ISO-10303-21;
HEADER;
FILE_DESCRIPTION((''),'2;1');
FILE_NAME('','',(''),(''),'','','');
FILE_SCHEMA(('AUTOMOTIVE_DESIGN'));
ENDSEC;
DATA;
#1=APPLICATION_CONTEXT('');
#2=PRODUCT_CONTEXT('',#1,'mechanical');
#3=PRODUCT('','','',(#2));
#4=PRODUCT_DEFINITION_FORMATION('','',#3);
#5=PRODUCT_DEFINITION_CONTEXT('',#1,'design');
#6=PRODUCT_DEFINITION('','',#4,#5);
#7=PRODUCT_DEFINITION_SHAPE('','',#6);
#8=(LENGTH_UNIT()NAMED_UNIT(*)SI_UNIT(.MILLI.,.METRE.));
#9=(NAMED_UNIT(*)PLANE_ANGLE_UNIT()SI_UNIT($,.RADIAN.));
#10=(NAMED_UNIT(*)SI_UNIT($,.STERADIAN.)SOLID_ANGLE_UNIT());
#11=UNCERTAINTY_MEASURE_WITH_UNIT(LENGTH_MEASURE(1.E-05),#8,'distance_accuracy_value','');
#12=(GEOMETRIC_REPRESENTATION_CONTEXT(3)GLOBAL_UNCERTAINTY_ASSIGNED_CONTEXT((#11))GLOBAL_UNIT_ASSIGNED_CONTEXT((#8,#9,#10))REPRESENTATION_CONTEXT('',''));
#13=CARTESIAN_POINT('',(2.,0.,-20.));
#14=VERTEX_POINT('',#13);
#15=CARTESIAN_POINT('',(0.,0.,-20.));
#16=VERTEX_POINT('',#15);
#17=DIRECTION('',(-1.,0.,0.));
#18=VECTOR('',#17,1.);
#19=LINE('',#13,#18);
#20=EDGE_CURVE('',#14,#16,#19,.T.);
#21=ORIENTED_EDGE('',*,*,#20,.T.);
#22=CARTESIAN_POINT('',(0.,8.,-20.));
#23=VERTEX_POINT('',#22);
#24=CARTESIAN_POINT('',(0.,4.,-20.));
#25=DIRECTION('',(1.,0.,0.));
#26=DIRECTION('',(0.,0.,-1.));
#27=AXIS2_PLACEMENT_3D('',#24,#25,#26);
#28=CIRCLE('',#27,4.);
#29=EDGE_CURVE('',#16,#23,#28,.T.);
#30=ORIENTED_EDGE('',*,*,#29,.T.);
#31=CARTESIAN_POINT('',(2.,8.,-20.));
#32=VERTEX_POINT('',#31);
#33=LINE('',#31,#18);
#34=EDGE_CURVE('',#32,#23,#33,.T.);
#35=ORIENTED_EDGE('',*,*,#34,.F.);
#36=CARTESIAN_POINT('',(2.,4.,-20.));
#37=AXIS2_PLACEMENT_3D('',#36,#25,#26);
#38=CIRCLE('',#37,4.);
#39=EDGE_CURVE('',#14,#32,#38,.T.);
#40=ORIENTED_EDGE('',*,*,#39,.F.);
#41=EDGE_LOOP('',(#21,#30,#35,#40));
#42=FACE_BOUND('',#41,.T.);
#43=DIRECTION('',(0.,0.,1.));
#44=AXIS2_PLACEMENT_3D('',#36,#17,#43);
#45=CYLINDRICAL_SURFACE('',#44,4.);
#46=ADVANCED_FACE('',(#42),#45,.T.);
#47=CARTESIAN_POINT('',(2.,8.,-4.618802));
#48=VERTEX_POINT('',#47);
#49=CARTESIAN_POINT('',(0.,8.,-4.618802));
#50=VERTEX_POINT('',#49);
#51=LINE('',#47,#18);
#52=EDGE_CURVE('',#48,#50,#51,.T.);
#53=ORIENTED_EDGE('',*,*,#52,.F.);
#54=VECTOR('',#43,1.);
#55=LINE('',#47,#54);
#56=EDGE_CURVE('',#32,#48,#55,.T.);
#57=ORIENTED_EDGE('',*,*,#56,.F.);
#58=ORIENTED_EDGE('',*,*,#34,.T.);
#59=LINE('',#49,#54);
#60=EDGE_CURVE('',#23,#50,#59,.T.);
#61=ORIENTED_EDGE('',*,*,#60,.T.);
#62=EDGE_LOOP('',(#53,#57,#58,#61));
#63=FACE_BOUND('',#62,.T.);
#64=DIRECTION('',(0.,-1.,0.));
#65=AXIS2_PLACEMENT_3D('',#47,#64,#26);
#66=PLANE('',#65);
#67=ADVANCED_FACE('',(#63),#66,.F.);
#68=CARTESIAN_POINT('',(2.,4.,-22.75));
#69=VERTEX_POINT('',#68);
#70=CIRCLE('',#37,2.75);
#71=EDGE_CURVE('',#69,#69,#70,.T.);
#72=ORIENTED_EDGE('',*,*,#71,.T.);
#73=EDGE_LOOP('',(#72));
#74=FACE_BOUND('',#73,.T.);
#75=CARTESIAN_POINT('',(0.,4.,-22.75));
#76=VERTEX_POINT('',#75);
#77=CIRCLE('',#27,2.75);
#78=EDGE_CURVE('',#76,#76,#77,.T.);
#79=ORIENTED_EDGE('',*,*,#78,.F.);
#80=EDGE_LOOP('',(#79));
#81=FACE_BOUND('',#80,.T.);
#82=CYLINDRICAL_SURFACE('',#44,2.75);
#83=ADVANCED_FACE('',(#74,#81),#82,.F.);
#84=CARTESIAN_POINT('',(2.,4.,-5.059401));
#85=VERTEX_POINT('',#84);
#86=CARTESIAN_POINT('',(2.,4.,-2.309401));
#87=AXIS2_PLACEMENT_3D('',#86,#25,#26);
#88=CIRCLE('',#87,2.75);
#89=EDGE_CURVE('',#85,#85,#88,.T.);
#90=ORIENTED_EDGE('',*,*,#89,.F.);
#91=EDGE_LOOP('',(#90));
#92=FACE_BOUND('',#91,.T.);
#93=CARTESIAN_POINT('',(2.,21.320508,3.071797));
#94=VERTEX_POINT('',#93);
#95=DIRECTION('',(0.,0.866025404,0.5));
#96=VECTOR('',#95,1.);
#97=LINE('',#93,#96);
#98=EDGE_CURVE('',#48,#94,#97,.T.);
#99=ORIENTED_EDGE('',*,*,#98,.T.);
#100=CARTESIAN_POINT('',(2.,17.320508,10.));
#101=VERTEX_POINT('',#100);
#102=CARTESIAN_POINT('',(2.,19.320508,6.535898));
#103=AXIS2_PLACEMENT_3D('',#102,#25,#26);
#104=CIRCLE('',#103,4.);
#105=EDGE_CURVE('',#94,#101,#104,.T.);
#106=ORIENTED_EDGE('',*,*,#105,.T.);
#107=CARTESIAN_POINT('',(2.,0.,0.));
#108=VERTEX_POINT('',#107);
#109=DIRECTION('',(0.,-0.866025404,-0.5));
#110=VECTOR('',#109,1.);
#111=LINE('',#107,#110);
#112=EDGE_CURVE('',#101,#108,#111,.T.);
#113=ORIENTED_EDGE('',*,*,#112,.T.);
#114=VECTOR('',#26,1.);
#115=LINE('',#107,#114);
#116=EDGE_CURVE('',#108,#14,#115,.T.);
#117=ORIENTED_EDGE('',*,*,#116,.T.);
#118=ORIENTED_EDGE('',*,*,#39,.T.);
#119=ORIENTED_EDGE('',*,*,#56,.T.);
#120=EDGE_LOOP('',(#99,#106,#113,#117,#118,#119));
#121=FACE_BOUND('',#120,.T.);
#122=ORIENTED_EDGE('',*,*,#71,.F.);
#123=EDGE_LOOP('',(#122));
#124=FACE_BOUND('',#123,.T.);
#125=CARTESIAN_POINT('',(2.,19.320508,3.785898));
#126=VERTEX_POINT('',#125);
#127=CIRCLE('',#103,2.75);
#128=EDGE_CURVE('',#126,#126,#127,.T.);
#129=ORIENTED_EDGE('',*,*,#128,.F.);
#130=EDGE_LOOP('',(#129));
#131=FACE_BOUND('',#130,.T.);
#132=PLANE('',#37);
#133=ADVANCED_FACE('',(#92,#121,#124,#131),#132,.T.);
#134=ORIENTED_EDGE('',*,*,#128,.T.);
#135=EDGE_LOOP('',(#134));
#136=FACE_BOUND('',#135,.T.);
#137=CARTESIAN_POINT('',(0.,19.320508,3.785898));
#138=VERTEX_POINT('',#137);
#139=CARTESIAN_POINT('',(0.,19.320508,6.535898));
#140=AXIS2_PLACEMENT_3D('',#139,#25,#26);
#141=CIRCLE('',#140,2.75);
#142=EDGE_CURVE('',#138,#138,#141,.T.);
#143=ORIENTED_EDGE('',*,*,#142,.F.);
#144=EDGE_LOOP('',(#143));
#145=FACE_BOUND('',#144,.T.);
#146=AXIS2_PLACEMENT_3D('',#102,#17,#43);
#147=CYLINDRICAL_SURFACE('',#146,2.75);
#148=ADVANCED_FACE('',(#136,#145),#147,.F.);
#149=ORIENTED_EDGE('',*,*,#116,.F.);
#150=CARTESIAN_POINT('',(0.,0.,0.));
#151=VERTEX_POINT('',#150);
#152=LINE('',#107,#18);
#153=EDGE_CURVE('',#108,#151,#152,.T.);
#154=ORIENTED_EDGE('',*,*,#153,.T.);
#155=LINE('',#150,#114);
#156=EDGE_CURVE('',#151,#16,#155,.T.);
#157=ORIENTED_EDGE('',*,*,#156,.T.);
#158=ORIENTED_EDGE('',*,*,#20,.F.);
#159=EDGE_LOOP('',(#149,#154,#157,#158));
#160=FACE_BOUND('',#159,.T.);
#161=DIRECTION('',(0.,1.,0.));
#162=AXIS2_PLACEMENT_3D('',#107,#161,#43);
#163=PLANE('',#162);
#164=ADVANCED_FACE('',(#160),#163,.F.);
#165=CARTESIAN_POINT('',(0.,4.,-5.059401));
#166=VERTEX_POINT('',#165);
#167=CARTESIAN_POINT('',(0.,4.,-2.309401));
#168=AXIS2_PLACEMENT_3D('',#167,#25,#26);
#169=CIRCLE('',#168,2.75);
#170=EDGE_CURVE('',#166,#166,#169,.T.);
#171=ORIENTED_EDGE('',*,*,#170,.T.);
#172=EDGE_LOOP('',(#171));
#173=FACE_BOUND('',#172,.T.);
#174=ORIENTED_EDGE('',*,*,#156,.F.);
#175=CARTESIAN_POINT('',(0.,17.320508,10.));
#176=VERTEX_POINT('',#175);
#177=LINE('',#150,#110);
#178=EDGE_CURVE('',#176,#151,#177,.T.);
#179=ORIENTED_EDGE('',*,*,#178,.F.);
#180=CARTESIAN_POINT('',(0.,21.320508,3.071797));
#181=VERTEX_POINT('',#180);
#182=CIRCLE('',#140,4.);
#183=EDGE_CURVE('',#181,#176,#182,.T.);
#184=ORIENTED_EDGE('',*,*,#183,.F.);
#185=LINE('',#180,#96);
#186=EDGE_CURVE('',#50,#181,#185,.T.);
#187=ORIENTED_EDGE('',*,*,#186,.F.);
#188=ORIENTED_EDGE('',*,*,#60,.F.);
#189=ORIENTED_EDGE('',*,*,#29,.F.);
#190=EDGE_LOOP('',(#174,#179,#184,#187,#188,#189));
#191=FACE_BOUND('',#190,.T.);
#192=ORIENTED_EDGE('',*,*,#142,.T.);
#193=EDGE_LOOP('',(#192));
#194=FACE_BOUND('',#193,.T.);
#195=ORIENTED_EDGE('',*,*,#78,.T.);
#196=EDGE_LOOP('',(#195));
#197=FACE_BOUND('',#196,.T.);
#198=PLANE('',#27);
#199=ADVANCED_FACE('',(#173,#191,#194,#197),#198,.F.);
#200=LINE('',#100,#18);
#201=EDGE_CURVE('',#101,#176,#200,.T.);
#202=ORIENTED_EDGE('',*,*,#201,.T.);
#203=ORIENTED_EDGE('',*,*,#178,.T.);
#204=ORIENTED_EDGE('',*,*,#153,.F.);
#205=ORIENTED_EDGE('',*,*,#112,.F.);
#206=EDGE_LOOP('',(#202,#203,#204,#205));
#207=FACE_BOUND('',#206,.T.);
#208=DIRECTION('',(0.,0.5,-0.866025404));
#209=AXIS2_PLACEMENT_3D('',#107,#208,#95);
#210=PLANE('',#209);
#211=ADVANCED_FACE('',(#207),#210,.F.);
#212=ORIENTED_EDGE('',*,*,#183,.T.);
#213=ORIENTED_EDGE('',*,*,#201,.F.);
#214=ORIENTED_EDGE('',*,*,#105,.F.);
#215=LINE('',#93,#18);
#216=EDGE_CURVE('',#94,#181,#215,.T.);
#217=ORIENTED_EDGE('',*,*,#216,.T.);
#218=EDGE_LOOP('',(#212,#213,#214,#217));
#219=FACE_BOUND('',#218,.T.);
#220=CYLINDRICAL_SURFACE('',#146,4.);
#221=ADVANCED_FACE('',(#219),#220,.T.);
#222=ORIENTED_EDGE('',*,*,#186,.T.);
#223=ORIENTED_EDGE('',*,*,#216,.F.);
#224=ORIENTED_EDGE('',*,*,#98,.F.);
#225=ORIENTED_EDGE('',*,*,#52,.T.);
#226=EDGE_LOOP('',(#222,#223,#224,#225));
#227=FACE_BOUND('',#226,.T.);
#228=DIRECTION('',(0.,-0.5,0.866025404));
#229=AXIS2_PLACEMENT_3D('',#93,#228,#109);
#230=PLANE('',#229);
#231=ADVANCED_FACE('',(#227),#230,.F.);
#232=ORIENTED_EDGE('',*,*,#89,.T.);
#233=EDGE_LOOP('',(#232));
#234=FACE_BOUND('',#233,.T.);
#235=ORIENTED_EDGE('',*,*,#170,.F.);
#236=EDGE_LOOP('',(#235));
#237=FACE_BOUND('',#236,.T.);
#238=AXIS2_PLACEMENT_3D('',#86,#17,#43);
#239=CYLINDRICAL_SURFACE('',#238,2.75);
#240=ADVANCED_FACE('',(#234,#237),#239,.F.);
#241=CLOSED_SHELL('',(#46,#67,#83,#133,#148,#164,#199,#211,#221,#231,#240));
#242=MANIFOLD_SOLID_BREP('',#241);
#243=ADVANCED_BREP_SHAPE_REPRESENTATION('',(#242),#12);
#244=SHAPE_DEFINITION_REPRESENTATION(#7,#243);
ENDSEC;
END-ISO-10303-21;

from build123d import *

# Parameters (mm, degrees)
SKETCH1_R           = 2.75
BOSS_EXTRUDE1_DEPTH = 2


with BuildPart() as part:
    # Sketch1 → Boss-Extrude1 (new body)
    with BuildSketch(Plane(origin=(0, 0, 0), x_dir=(0, 0, -1), z_dir=(1, 0, 0))):
        with BuildLine():
            Line((0, 0), (-10, 17.320508076))
            ThreePointArc((-10, 17.320508076), (-8.535898385, 22.784609691), (-3.07179677, 21.320508076))
            Line((-3.07179677, 21.320508076), (4.618802154, 8))
            Line((4.618802154, 8), (20, 8))
            ThreePointArc((20, 8), (24, 4), (20, 0))
            Line((20, 0), (0, 0))
        make_face()
        with Locations((-6.535898385, 19.320508076)):
            Circle(SKETCH1_R, mode=Mode.SUBTRACT)
        with Locations((20, 4)):
            Circle(SKETCH1_R, mode=Mode.SUBTRACT)
        with Locations((2.309401077, 4)):
            Circle(SKETCH1_R, mode=Mode.SUBTRACT)
    extrude(amount=BOSS_EXTRUDE1_DEPTH)


solid = part.part
